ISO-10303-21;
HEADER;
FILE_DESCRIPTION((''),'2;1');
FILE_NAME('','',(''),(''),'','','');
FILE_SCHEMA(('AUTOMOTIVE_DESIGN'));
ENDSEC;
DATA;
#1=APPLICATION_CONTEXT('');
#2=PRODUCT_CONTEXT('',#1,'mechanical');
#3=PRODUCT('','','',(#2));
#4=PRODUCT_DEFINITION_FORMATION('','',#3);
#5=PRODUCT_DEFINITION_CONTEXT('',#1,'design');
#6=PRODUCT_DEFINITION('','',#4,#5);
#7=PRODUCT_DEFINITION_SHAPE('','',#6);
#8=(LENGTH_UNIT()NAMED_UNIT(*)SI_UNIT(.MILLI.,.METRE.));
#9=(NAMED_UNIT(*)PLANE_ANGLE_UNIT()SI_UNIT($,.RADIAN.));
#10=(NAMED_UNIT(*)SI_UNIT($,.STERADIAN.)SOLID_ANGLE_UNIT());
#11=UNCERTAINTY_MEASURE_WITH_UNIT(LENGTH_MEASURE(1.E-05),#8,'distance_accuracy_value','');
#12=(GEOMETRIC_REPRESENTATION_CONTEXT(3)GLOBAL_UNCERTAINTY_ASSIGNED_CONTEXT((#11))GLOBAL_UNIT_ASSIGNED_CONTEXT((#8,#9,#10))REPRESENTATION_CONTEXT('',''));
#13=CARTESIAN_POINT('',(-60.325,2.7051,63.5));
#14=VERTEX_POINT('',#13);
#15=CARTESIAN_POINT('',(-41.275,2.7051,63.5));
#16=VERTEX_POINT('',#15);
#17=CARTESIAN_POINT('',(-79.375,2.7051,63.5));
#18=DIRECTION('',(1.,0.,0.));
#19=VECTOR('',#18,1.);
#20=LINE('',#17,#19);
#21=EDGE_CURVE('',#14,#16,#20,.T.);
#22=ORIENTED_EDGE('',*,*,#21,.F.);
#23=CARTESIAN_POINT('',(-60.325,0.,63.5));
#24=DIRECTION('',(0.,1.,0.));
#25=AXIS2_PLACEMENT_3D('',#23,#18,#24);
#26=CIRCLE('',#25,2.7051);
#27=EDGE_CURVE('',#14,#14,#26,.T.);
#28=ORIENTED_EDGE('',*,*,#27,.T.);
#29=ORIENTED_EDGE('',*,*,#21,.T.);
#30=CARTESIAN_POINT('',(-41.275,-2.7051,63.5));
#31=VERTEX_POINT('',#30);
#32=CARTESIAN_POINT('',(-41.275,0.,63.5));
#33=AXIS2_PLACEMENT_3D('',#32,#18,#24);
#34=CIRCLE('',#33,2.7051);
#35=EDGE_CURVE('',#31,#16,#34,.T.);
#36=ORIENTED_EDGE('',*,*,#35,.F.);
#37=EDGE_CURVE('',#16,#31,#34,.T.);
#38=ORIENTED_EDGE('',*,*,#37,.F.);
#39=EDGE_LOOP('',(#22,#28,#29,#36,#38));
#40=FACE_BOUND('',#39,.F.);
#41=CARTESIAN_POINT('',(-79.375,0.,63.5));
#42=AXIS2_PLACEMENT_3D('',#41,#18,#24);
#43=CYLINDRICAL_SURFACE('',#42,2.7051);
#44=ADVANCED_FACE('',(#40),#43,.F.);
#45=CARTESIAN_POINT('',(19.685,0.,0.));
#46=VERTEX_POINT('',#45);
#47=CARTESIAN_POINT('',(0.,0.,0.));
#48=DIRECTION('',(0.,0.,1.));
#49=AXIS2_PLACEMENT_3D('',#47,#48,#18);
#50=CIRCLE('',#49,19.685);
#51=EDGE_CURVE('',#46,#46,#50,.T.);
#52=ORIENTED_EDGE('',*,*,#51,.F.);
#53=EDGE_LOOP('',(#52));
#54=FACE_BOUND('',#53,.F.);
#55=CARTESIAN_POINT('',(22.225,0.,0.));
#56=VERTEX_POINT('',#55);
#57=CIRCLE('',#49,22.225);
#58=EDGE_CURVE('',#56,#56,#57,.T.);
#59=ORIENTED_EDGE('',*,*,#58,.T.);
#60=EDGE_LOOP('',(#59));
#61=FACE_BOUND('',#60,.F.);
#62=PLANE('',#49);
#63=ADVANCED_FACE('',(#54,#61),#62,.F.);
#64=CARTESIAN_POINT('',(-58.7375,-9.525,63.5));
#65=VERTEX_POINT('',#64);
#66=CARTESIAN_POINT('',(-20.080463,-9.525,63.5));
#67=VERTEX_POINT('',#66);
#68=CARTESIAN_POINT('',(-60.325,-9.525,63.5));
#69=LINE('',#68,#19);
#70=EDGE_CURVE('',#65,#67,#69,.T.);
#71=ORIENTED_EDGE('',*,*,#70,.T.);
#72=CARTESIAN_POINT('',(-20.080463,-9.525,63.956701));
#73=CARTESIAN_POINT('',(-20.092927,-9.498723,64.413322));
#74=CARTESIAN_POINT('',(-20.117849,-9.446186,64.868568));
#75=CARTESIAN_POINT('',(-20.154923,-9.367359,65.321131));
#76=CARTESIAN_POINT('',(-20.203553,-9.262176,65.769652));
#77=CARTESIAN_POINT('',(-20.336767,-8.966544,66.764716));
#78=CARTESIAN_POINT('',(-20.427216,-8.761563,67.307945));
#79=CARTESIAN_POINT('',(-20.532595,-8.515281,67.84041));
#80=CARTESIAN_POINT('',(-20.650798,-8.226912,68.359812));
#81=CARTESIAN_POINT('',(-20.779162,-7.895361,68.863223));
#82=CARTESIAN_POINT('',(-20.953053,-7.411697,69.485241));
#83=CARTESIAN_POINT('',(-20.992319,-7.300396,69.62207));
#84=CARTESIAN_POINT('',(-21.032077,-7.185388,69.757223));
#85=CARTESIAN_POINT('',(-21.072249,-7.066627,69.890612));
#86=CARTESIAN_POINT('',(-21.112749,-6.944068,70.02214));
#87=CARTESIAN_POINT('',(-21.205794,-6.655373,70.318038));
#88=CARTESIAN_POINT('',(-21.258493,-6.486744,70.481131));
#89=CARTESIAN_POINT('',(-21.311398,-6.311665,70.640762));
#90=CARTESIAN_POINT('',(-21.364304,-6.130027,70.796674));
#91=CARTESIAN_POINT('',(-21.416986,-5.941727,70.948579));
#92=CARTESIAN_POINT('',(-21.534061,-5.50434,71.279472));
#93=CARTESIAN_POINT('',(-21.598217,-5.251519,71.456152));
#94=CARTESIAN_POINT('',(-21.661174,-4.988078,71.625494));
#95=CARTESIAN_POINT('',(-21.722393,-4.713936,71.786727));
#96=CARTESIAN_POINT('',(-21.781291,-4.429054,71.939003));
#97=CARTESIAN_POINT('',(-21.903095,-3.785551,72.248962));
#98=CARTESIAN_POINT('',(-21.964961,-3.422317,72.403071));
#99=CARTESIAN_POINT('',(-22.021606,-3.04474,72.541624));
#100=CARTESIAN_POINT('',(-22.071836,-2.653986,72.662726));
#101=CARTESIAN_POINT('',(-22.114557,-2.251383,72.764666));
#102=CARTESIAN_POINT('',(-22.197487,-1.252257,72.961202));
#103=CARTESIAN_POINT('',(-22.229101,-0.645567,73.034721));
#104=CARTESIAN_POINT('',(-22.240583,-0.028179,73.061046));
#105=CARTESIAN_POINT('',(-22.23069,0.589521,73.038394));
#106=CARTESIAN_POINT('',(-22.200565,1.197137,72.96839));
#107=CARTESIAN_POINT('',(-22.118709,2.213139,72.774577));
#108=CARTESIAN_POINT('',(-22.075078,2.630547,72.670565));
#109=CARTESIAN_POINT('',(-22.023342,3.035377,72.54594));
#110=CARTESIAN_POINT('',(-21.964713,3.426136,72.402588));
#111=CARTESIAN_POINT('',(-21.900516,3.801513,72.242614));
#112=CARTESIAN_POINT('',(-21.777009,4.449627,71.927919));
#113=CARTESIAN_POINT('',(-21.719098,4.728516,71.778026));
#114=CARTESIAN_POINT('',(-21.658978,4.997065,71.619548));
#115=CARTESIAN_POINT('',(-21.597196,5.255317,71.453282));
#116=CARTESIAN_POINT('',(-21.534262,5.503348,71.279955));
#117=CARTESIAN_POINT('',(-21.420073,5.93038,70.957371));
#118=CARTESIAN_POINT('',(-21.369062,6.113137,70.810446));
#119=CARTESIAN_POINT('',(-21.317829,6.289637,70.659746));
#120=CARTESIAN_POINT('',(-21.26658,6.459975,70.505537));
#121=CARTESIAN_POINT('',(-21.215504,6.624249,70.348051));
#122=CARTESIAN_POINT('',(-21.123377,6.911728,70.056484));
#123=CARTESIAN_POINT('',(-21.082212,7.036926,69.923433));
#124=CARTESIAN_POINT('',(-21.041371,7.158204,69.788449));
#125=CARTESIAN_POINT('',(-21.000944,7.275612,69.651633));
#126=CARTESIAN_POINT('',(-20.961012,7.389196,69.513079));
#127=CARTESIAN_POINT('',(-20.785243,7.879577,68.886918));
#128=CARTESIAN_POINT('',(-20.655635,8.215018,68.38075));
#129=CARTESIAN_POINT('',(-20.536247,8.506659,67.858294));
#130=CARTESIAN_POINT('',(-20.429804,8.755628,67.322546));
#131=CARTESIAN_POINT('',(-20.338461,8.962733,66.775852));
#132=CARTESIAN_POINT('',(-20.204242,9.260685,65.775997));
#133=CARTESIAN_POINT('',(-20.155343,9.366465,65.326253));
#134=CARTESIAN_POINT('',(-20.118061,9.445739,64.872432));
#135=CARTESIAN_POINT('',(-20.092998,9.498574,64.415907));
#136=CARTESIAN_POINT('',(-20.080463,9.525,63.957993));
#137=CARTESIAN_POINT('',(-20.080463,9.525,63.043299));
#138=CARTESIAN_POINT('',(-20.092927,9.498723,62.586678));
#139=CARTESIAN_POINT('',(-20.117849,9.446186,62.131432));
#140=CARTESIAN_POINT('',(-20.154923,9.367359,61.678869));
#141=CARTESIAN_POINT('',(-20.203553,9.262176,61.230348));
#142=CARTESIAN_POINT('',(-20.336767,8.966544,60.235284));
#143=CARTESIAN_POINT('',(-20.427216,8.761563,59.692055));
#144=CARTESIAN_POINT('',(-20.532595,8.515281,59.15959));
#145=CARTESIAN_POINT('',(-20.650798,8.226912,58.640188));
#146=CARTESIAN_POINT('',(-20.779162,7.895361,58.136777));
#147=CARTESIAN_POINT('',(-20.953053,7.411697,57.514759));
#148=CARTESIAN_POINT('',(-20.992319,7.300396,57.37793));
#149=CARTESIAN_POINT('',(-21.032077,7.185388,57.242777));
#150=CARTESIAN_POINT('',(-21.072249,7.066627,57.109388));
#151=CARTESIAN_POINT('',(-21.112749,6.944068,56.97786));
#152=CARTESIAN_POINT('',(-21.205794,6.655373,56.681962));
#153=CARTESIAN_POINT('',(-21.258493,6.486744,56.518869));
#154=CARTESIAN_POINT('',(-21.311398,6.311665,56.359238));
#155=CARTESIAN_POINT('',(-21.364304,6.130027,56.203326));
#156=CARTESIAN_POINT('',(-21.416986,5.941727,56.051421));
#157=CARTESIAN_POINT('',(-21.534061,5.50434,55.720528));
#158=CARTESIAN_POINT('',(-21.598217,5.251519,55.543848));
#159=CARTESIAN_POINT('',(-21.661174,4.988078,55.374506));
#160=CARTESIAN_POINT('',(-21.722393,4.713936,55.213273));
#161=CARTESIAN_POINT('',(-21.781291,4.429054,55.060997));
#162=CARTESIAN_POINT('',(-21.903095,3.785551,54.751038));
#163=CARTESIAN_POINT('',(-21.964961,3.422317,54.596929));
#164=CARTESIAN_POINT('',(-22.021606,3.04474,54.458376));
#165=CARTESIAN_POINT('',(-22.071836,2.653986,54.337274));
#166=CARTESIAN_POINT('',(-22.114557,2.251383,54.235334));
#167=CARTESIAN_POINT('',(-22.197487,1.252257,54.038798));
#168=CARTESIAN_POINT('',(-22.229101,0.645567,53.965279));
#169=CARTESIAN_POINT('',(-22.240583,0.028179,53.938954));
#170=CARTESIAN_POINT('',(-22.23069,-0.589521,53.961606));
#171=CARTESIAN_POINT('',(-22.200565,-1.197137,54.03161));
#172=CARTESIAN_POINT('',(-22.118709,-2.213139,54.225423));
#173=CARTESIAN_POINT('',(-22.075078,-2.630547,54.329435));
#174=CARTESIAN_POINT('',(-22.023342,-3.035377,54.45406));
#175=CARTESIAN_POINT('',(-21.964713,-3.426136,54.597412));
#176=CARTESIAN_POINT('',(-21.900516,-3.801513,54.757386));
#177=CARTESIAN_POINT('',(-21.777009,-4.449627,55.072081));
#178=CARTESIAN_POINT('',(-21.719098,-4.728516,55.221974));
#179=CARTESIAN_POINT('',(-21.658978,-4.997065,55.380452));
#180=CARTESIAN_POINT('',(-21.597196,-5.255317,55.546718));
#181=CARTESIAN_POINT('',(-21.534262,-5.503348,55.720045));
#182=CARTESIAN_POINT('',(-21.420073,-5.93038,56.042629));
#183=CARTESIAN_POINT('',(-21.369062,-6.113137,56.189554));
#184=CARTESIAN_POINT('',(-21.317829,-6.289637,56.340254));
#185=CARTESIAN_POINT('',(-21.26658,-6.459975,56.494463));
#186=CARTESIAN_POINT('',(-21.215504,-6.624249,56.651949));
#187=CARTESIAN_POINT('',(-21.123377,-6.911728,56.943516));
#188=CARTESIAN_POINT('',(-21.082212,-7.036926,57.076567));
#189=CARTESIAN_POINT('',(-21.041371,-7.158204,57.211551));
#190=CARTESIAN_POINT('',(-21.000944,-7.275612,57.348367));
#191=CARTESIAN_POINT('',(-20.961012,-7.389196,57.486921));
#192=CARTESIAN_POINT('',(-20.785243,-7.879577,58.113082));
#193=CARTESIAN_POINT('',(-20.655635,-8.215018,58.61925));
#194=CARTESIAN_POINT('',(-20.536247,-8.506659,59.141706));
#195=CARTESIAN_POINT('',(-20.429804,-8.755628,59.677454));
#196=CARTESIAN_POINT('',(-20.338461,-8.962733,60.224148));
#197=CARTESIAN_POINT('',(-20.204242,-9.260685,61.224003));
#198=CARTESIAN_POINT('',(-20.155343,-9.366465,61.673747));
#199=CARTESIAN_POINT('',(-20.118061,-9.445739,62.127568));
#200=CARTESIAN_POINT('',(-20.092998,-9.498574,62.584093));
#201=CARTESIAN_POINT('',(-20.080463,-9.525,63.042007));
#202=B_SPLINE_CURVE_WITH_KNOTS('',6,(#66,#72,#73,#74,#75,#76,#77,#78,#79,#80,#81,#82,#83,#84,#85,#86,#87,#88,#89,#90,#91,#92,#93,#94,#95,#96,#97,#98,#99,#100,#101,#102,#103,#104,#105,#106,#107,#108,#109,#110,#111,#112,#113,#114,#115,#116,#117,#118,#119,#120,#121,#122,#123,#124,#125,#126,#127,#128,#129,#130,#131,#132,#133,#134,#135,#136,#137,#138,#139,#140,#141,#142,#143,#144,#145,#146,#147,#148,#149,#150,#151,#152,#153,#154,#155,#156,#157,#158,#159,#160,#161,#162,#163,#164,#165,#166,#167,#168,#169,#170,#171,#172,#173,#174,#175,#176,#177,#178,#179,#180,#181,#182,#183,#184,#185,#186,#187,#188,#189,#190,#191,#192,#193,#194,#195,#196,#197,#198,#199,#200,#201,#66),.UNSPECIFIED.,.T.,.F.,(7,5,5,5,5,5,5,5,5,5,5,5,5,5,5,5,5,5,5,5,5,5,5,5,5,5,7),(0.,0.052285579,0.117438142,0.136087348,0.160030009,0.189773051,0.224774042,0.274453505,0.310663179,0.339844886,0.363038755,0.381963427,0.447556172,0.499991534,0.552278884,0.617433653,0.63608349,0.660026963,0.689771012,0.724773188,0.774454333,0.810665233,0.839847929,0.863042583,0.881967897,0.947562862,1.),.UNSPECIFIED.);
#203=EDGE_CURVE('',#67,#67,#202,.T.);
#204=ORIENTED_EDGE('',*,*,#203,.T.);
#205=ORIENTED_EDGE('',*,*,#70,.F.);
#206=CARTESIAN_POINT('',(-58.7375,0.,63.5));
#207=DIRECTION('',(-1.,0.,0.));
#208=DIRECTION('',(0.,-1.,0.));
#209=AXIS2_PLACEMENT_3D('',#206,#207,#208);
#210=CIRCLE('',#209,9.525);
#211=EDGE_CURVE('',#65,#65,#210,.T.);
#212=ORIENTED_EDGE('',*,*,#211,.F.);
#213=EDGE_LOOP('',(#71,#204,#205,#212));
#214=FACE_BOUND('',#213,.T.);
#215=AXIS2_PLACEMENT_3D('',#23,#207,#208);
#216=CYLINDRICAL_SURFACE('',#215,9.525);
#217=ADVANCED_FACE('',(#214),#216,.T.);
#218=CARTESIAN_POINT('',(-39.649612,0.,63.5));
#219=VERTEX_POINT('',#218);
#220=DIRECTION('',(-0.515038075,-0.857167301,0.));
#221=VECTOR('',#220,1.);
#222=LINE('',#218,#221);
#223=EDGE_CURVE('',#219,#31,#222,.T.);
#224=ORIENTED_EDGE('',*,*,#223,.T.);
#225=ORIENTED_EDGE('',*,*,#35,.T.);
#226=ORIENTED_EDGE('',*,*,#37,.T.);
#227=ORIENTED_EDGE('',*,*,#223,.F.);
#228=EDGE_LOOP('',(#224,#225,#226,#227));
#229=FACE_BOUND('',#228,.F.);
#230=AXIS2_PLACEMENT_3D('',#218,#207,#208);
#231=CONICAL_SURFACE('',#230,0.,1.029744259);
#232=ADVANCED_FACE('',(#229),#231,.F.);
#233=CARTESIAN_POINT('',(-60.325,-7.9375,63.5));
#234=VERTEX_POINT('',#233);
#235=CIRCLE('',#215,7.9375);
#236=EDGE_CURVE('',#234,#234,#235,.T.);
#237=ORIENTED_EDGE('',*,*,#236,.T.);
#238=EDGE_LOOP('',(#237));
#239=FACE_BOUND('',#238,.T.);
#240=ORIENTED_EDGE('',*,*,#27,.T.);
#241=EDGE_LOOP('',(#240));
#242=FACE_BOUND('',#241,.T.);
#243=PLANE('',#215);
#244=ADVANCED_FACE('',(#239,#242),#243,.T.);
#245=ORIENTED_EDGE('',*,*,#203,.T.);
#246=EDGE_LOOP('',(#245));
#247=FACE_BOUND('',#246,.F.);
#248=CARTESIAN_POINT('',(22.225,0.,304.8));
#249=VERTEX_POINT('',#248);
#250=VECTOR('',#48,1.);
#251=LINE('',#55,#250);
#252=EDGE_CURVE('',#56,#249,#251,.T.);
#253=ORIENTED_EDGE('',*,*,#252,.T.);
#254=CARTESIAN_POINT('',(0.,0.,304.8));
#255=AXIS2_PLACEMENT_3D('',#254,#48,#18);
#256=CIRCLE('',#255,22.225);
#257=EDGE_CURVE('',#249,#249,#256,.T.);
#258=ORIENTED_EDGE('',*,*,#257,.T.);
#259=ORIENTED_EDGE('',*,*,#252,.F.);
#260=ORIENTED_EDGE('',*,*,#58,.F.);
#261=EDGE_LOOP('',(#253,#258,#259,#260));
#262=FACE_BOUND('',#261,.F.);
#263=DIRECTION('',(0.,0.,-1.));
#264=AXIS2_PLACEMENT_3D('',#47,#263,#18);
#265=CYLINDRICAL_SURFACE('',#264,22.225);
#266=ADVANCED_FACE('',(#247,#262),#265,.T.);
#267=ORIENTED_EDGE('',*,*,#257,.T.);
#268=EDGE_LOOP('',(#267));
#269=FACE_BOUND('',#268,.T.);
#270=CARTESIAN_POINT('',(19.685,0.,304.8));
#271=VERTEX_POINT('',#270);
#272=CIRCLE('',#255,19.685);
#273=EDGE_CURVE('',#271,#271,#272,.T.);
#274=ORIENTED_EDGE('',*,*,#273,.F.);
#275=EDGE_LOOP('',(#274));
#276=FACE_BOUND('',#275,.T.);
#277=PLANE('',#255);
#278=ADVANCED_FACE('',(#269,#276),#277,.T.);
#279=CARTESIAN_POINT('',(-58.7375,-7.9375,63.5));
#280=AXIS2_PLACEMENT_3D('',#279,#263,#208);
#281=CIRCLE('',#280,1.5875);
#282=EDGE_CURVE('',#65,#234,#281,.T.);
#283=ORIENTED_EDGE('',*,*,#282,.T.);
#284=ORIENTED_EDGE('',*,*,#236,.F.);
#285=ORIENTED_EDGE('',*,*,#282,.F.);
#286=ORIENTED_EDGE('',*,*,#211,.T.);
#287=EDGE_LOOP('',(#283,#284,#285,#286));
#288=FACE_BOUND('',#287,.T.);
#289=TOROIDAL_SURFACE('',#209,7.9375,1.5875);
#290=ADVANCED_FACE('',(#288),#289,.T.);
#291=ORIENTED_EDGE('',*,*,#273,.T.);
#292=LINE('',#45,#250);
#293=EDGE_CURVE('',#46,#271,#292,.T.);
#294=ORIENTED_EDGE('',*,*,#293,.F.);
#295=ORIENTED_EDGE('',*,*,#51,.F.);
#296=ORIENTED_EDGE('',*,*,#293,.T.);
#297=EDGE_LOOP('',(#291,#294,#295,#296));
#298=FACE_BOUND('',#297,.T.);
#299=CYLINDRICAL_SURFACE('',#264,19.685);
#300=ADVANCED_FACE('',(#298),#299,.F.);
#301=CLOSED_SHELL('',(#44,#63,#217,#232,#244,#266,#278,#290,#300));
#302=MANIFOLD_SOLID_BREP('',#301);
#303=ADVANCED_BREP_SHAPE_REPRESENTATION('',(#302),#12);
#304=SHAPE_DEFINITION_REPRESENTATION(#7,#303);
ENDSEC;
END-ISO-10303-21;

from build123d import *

# Parameters (mm, degrees)
F0_R     = 22.225
F0_R_2   = 19.685
F1_DEPTH = 304.8
F4_R     = 9.525
F7_D     = 5.4102
F7_DEPTH = 19.05
F7_TIP   = 1.6253880605
F8_R     = 1.5875


with BuildPart() as f1:
    # F0 (on Top) → F1 (new body)
    with BuildSketch(Plane.XY):
        Circle(F0_R)
        Circle(F0_R_2, mode=Mode.SUBTRACT)
    extrude(amount=F1_DEPTH)

    # F4 (on line) → F5 (join, up to the next surface of F1)
    with BuildSketch(Plane(origin=(-60.325, 0, 0), x_dir=(0, -1, 0), z_dir=(-1, 0, 0))):
        with Locations((0, 63.5)):
            Circle(F4_R)
    extrude(until=Until.NEXT, dir=(1, 0, 0))

    # F7
    with Locations(Plane(origin=(-60.325, 0, 0), x_dir=(0, -1, 0), z_dir=(-1, 0, 0))):
        with Locations((0, 63.5)):
            Hole(F7_D / 2, depth=F7_DEPTH)
            with Locations((0, 0, -(F7_DEPTH + F7_TIP / 2))):  # 118° drill point
                Cone(0, F7_D / 2, F7_TIP, mode=Mode.SUBTRACT)

    # F8
    f8_edges = [f1.edges().sort_by_distance(p)[0] for p in [
        (-60.325, 9.525, 63.5),
    ]]
    fillet(f8_edges, radius=F8_R)


solid = f1.part
